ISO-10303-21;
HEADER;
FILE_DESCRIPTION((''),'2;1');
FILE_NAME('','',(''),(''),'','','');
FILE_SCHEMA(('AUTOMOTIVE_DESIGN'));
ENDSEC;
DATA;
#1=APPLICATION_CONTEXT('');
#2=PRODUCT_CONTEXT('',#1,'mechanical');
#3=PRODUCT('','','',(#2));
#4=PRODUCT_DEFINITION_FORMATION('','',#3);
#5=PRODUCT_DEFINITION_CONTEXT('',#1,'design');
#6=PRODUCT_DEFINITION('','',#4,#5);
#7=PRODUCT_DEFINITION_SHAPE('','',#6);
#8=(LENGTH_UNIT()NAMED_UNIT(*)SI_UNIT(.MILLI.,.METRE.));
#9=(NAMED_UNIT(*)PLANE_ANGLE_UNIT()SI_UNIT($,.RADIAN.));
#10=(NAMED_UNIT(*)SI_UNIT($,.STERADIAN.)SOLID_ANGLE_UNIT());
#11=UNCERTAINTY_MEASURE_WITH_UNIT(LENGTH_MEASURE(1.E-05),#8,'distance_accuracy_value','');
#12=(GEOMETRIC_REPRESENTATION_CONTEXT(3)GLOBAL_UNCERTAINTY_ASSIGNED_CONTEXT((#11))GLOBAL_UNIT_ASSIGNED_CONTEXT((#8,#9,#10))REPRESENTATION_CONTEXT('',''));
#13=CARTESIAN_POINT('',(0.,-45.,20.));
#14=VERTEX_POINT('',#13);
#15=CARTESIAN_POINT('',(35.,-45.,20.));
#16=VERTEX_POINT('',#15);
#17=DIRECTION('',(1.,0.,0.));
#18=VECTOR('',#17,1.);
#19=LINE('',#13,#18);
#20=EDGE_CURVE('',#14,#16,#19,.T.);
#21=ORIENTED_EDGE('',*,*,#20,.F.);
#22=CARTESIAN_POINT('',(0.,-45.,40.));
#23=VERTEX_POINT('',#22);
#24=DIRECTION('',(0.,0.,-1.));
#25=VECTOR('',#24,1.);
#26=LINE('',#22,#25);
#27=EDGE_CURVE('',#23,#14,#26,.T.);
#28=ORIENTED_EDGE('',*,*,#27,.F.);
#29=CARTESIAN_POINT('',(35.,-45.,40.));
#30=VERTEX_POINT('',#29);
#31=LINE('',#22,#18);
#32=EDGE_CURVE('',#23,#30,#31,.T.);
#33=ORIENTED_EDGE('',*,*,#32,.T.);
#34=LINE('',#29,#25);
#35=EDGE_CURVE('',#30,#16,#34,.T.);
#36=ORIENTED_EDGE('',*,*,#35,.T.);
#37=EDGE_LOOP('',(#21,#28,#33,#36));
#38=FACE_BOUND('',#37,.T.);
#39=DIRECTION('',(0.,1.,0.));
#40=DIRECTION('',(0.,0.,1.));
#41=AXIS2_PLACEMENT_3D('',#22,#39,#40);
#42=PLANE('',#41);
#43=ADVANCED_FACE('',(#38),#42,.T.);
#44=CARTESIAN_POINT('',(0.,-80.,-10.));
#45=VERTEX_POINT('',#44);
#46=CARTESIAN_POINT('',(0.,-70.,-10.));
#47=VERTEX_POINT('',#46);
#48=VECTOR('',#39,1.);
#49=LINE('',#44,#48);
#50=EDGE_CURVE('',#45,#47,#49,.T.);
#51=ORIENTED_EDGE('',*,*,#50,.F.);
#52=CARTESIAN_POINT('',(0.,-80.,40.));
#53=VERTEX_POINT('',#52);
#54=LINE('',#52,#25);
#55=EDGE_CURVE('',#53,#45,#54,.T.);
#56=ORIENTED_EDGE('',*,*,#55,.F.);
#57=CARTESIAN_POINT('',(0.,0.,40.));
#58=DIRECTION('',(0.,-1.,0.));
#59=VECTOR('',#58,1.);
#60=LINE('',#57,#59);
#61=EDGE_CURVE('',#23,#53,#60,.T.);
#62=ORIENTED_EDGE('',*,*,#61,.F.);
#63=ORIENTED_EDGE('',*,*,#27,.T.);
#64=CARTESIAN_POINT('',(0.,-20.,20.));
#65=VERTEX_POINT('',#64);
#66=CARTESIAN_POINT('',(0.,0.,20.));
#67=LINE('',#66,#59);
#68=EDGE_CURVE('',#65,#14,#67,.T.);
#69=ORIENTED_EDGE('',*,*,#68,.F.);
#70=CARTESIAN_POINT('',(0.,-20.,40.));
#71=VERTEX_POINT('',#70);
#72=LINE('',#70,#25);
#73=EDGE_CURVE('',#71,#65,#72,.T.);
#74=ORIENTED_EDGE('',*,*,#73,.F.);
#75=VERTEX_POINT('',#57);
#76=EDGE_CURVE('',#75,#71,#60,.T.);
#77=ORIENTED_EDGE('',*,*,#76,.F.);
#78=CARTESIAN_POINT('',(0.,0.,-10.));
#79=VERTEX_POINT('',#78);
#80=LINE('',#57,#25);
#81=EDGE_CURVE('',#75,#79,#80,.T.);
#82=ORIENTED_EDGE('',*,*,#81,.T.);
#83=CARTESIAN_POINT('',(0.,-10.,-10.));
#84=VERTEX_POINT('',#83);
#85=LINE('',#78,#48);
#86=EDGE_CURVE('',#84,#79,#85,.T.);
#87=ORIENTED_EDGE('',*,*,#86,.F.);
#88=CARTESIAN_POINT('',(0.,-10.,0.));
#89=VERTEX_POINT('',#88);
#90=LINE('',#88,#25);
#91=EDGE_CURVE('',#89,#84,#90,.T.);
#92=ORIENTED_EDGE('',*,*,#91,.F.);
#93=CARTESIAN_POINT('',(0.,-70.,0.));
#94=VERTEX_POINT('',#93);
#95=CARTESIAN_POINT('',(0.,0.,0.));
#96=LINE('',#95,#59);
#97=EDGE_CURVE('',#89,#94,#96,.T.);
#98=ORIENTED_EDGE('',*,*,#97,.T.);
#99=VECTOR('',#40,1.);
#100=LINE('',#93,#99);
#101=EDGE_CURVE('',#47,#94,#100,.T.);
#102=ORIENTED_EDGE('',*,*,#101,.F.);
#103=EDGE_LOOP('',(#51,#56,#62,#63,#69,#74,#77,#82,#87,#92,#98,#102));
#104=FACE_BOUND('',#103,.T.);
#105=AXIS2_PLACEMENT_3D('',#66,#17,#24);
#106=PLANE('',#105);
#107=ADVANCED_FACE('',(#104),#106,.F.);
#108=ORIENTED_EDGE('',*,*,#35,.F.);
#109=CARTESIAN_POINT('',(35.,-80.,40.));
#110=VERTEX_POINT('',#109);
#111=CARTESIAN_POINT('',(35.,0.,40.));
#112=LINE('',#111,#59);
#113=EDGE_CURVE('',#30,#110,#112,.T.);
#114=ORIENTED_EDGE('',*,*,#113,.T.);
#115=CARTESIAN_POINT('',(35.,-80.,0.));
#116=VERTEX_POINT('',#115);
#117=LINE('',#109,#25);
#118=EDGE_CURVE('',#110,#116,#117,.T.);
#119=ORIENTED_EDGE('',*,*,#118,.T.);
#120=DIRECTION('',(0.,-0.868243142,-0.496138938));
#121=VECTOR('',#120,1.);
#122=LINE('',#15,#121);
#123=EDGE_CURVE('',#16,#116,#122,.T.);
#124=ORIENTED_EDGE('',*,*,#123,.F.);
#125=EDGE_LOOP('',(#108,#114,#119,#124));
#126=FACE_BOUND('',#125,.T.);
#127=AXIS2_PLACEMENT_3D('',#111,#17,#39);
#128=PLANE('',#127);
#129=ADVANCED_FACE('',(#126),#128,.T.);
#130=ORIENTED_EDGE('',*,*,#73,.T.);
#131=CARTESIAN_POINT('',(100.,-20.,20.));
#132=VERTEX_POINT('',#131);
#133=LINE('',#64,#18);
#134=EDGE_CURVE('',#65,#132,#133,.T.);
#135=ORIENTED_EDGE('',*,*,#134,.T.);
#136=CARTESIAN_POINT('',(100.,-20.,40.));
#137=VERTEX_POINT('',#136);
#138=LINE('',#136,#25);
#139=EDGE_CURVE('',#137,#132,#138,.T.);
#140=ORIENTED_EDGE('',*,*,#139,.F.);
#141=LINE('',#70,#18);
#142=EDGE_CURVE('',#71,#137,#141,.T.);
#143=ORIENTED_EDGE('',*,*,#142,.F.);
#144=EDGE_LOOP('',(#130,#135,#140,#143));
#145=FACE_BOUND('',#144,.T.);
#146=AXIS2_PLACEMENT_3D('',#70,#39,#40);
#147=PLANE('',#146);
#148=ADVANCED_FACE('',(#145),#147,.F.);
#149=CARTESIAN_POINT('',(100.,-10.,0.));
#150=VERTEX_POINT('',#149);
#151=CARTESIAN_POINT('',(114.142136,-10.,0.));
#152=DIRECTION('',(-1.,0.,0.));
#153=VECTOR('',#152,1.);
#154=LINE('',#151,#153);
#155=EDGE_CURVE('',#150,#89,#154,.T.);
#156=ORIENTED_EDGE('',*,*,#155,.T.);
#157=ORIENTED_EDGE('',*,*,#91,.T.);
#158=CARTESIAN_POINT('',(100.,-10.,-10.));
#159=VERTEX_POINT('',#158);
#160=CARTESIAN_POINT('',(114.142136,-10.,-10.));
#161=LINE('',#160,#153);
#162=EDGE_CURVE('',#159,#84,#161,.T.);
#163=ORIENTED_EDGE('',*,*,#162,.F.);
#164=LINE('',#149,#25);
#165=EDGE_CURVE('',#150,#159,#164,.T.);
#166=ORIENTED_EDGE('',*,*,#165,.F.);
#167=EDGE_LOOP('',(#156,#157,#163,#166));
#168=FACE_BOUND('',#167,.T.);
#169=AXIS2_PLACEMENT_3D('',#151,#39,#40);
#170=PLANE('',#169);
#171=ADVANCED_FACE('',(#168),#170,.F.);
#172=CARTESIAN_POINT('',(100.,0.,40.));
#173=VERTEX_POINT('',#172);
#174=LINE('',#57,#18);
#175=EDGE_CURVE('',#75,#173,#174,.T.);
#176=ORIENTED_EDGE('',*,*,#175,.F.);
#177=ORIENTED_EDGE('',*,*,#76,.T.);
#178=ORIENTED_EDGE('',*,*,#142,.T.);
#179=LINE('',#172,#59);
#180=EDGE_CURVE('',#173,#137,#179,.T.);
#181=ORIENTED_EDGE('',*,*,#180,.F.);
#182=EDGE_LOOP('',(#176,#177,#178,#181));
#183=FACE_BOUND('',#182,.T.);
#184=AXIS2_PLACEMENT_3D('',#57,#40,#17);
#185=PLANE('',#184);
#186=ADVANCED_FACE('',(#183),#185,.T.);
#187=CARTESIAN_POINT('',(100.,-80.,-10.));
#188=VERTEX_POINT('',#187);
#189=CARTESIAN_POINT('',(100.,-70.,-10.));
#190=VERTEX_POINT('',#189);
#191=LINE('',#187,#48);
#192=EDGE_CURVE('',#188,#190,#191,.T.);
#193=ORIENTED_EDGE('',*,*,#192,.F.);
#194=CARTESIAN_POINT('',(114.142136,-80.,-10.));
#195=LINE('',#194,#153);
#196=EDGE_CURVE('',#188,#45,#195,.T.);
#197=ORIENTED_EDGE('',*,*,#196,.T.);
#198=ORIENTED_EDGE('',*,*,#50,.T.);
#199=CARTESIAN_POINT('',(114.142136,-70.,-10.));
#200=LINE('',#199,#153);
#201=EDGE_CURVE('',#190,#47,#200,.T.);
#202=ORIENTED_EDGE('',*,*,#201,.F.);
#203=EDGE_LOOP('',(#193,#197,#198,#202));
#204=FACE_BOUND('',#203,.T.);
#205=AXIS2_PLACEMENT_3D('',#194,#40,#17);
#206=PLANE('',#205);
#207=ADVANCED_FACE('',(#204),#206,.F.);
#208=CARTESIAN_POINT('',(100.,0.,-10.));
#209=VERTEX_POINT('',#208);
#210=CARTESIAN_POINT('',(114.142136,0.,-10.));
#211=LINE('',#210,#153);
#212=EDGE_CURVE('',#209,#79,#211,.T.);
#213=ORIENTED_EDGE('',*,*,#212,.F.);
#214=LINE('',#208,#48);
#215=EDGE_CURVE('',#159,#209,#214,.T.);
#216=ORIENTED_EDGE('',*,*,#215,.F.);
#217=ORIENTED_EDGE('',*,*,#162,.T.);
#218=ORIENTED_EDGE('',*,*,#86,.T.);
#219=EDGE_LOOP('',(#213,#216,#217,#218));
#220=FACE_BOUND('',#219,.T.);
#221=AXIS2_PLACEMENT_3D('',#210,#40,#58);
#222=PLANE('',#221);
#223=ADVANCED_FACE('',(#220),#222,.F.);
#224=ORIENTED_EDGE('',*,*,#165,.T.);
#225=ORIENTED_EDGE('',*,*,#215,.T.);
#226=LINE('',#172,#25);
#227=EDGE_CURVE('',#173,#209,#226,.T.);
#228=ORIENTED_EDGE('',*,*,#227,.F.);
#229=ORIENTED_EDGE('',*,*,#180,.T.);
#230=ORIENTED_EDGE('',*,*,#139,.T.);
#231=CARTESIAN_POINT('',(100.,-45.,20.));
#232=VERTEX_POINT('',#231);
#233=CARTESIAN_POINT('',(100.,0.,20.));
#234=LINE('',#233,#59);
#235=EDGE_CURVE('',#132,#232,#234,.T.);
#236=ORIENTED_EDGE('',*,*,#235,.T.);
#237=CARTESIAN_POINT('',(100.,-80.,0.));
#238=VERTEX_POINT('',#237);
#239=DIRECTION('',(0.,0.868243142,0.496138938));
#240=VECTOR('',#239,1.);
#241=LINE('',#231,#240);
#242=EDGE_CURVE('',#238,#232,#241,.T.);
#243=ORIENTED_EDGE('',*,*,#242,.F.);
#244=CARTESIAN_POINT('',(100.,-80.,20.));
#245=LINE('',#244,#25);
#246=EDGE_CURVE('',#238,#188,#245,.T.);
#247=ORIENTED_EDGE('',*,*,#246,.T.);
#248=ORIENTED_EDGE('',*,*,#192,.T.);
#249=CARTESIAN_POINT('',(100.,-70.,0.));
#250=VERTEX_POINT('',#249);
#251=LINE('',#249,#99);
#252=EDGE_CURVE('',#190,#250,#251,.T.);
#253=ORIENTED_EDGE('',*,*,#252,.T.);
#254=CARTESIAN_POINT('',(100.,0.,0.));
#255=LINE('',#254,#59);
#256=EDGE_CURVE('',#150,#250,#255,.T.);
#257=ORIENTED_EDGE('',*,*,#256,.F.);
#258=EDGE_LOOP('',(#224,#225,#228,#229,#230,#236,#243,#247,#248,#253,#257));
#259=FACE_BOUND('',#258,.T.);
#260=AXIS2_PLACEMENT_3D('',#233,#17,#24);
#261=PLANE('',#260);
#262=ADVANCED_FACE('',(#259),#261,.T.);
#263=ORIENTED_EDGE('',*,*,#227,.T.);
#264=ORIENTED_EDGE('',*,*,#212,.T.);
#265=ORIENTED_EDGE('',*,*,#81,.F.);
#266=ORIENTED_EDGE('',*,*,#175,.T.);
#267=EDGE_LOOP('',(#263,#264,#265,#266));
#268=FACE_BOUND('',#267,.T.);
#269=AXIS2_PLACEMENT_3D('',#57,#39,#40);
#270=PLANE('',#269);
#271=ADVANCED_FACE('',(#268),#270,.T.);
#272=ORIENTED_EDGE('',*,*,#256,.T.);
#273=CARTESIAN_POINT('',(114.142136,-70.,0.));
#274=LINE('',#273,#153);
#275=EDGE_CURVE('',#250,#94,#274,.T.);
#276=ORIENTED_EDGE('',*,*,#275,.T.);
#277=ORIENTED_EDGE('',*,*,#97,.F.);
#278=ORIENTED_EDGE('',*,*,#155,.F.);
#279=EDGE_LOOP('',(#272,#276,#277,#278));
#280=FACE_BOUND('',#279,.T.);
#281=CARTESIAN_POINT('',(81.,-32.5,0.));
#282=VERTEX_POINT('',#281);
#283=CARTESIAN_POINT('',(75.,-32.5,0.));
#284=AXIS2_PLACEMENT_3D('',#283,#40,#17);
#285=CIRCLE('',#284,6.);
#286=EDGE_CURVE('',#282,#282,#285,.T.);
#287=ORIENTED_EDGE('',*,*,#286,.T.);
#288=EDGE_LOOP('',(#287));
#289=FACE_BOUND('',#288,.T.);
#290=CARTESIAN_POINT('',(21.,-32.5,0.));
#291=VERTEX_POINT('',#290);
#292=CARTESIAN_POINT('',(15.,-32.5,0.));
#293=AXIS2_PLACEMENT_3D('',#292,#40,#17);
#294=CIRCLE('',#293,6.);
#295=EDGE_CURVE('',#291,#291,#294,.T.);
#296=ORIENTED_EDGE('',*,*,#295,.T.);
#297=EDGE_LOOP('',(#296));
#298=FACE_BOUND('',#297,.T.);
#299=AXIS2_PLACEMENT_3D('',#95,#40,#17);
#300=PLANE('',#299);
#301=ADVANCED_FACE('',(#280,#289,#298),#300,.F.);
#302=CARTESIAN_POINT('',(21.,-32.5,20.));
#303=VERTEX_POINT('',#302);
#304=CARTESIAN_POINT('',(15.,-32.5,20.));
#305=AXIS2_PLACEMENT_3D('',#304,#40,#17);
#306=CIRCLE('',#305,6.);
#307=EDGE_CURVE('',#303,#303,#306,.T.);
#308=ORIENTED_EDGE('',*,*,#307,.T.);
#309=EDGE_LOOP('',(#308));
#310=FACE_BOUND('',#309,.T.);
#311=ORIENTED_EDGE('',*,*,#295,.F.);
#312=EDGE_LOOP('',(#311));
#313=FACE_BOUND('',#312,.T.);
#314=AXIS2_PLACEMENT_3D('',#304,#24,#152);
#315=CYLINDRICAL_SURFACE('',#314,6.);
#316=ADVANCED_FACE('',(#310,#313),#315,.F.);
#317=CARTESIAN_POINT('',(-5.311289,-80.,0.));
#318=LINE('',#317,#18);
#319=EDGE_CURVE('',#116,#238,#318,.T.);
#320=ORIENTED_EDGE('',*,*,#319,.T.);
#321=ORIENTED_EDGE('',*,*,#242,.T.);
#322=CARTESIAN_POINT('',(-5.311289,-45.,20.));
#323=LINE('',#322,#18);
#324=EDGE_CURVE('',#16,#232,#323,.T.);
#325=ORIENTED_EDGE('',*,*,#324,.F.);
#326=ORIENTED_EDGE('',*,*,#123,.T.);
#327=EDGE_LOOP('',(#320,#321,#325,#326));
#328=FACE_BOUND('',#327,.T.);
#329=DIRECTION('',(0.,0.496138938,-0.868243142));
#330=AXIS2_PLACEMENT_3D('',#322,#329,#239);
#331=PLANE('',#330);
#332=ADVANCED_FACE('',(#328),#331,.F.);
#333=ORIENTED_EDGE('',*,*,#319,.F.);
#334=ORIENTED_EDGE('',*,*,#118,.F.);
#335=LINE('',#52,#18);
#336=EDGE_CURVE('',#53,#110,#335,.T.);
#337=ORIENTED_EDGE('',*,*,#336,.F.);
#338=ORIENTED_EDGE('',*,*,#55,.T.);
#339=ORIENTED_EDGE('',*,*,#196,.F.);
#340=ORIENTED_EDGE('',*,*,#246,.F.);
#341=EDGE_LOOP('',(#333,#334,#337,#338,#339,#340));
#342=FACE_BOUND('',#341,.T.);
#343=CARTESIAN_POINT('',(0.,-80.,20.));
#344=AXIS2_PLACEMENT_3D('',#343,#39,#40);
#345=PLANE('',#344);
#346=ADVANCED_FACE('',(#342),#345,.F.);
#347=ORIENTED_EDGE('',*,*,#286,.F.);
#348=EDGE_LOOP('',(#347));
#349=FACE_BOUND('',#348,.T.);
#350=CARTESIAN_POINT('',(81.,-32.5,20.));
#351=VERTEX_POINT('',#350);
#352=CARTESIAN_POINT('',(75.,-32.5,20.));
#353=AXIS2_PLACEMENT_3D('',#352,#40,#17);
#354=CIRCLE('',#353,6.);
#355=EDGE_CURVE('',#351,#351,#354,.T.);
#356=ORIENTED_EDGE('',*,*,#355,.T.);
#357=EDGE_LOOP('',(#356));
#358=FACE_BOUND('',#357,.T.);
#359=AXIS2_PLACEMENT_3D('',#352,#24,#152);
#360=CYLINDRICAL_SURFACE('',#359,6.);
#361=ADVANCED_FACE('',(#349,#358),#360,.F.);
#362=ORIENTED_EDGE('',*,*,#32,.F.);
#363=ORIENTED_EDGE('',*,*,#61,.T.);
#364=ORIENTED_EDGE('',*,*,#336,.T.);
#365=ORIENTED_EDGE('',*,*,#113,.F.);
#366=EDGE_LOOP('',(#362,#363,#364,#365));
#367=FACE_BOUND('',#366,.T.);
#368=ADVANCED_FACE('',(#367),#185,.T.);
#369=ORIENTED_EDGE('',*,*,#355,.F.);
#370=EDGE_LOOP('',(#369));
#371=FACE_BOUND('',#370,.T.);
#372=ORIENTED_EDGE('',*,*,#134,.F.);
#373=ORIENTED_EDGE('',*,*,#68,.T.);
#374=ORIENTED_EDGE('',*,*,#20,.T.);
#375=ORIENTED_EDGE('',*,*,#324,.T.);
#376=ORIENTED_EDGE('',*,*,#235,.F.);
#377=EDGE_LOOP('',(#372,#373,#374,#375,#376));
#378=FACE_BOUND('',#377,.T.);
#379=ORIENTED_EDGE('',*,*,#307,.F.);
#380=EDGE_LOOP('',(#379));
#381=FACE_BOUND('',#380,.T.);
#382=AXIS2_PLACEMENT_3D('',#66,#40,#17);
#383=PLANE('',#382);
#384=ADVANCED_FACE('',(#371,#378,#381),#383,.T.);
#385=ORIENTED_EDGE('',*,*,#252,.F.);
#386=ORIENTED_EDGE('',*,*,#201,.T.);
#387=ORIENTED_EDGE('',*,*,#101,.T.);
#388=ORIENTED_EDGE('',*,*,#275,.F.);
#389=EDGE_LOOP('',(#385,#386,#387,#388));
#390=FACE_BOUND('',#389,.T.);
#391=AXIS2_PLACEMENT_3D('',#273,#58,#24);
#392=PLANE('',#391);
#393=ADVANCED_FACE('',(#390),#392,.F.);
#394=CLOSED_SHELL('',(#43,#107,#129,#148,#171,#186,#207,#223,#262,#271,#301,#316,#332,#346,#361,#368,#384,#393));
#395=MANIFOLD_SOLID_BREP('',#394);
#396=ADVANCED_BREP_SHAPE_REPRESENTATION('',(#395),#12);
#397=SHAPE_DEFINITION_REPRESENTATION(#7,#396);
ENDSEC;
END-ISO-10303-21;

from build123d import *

# Parameters (mm, degrees)
SKETCH1_R           = 6
SKETCH1_W           = 65
SKETCH1_H           = 35
BOSS_EXTRUDE1_DEPTH = 20
SKETCH1_3_W         = 35
SKETCH1_3_H         = 35
SKETCH1_3_W_2       = 100
SKETCH1_3_H_2       = 20
BOSS_EXTRUDE2_DEPTH = 40
SKETCH3_W           = 10
SKETCH3_H           = 10
BOSS_EXTRUDE4_DEPTH = 100
CUT_EXTRUDE1_DEPTH  = 65


with BuildPart() as part:
    # Sketch1 → Boss-Extrude1 (new body)
    with BuildSketch(Plane.XY):
        Polygon((100, -20), (0, -20), (0, -45), (35, -45), (100, -45), align=None)
        with Locations((15, -32.5)):
            Circle(SKETCH1_R, mode=Mode.SUBTRACT)
        with Locations((75, -32.5)):
            Circle(SKETCH1_R, mode=Mode.SUBTRACT)
        with Locations((67.5, -62.5)):
            Rectangle(SKETCH1_W, SKETCH1_H)
    extrude(amount=BOSS_EXTRUDE1_DEPTH)

    # Sketch1<3> → Boss-Extrude2 (add)
    with BuildSketch(Plane.XY):
        with Locations((17.5, -62.5)):
            Rectangle(SKETCH1_3_W, SKETCH1_3_H)
        with Locations((50, -10)):
            Rectangle(SKETCH1_3_W_2, SKETCH1_3_H_2)
    extrude(amount=BOSS_EXTRUDE2_DEPTH)

    # Sketch3 → Boss-Extrude4 (add)
    with BuildSketch(Plane(origin=(0, 0, 0), x_dir=(0, 0, -1), z_dir=(1, 0, 0))):
        with Locations((5, -75)):
            Rectangle(SKETCH3_W, SKETCH3_H)
        with Locations((5, -5)):
            Rectangle(SKETCH3_W, SKETCH3_H)
    extrude(amount=BOSS_EXTRUDE4_DEPTH)

    # Sketch4 → Cut-Extrude1 (cut)
    with BuildSketch(Plane(origin=(100, 0, 0), x_dir=(0, 0, -1), z_dir=(1, 0, 0))):
        Polygon((-20, -45), (0, -80), (-20, -80), align=None)
    extrude(amount=-CUT_EXTRUDE1_DEPTH, mode=Mode.SUBTRACT)


solid = part.part
